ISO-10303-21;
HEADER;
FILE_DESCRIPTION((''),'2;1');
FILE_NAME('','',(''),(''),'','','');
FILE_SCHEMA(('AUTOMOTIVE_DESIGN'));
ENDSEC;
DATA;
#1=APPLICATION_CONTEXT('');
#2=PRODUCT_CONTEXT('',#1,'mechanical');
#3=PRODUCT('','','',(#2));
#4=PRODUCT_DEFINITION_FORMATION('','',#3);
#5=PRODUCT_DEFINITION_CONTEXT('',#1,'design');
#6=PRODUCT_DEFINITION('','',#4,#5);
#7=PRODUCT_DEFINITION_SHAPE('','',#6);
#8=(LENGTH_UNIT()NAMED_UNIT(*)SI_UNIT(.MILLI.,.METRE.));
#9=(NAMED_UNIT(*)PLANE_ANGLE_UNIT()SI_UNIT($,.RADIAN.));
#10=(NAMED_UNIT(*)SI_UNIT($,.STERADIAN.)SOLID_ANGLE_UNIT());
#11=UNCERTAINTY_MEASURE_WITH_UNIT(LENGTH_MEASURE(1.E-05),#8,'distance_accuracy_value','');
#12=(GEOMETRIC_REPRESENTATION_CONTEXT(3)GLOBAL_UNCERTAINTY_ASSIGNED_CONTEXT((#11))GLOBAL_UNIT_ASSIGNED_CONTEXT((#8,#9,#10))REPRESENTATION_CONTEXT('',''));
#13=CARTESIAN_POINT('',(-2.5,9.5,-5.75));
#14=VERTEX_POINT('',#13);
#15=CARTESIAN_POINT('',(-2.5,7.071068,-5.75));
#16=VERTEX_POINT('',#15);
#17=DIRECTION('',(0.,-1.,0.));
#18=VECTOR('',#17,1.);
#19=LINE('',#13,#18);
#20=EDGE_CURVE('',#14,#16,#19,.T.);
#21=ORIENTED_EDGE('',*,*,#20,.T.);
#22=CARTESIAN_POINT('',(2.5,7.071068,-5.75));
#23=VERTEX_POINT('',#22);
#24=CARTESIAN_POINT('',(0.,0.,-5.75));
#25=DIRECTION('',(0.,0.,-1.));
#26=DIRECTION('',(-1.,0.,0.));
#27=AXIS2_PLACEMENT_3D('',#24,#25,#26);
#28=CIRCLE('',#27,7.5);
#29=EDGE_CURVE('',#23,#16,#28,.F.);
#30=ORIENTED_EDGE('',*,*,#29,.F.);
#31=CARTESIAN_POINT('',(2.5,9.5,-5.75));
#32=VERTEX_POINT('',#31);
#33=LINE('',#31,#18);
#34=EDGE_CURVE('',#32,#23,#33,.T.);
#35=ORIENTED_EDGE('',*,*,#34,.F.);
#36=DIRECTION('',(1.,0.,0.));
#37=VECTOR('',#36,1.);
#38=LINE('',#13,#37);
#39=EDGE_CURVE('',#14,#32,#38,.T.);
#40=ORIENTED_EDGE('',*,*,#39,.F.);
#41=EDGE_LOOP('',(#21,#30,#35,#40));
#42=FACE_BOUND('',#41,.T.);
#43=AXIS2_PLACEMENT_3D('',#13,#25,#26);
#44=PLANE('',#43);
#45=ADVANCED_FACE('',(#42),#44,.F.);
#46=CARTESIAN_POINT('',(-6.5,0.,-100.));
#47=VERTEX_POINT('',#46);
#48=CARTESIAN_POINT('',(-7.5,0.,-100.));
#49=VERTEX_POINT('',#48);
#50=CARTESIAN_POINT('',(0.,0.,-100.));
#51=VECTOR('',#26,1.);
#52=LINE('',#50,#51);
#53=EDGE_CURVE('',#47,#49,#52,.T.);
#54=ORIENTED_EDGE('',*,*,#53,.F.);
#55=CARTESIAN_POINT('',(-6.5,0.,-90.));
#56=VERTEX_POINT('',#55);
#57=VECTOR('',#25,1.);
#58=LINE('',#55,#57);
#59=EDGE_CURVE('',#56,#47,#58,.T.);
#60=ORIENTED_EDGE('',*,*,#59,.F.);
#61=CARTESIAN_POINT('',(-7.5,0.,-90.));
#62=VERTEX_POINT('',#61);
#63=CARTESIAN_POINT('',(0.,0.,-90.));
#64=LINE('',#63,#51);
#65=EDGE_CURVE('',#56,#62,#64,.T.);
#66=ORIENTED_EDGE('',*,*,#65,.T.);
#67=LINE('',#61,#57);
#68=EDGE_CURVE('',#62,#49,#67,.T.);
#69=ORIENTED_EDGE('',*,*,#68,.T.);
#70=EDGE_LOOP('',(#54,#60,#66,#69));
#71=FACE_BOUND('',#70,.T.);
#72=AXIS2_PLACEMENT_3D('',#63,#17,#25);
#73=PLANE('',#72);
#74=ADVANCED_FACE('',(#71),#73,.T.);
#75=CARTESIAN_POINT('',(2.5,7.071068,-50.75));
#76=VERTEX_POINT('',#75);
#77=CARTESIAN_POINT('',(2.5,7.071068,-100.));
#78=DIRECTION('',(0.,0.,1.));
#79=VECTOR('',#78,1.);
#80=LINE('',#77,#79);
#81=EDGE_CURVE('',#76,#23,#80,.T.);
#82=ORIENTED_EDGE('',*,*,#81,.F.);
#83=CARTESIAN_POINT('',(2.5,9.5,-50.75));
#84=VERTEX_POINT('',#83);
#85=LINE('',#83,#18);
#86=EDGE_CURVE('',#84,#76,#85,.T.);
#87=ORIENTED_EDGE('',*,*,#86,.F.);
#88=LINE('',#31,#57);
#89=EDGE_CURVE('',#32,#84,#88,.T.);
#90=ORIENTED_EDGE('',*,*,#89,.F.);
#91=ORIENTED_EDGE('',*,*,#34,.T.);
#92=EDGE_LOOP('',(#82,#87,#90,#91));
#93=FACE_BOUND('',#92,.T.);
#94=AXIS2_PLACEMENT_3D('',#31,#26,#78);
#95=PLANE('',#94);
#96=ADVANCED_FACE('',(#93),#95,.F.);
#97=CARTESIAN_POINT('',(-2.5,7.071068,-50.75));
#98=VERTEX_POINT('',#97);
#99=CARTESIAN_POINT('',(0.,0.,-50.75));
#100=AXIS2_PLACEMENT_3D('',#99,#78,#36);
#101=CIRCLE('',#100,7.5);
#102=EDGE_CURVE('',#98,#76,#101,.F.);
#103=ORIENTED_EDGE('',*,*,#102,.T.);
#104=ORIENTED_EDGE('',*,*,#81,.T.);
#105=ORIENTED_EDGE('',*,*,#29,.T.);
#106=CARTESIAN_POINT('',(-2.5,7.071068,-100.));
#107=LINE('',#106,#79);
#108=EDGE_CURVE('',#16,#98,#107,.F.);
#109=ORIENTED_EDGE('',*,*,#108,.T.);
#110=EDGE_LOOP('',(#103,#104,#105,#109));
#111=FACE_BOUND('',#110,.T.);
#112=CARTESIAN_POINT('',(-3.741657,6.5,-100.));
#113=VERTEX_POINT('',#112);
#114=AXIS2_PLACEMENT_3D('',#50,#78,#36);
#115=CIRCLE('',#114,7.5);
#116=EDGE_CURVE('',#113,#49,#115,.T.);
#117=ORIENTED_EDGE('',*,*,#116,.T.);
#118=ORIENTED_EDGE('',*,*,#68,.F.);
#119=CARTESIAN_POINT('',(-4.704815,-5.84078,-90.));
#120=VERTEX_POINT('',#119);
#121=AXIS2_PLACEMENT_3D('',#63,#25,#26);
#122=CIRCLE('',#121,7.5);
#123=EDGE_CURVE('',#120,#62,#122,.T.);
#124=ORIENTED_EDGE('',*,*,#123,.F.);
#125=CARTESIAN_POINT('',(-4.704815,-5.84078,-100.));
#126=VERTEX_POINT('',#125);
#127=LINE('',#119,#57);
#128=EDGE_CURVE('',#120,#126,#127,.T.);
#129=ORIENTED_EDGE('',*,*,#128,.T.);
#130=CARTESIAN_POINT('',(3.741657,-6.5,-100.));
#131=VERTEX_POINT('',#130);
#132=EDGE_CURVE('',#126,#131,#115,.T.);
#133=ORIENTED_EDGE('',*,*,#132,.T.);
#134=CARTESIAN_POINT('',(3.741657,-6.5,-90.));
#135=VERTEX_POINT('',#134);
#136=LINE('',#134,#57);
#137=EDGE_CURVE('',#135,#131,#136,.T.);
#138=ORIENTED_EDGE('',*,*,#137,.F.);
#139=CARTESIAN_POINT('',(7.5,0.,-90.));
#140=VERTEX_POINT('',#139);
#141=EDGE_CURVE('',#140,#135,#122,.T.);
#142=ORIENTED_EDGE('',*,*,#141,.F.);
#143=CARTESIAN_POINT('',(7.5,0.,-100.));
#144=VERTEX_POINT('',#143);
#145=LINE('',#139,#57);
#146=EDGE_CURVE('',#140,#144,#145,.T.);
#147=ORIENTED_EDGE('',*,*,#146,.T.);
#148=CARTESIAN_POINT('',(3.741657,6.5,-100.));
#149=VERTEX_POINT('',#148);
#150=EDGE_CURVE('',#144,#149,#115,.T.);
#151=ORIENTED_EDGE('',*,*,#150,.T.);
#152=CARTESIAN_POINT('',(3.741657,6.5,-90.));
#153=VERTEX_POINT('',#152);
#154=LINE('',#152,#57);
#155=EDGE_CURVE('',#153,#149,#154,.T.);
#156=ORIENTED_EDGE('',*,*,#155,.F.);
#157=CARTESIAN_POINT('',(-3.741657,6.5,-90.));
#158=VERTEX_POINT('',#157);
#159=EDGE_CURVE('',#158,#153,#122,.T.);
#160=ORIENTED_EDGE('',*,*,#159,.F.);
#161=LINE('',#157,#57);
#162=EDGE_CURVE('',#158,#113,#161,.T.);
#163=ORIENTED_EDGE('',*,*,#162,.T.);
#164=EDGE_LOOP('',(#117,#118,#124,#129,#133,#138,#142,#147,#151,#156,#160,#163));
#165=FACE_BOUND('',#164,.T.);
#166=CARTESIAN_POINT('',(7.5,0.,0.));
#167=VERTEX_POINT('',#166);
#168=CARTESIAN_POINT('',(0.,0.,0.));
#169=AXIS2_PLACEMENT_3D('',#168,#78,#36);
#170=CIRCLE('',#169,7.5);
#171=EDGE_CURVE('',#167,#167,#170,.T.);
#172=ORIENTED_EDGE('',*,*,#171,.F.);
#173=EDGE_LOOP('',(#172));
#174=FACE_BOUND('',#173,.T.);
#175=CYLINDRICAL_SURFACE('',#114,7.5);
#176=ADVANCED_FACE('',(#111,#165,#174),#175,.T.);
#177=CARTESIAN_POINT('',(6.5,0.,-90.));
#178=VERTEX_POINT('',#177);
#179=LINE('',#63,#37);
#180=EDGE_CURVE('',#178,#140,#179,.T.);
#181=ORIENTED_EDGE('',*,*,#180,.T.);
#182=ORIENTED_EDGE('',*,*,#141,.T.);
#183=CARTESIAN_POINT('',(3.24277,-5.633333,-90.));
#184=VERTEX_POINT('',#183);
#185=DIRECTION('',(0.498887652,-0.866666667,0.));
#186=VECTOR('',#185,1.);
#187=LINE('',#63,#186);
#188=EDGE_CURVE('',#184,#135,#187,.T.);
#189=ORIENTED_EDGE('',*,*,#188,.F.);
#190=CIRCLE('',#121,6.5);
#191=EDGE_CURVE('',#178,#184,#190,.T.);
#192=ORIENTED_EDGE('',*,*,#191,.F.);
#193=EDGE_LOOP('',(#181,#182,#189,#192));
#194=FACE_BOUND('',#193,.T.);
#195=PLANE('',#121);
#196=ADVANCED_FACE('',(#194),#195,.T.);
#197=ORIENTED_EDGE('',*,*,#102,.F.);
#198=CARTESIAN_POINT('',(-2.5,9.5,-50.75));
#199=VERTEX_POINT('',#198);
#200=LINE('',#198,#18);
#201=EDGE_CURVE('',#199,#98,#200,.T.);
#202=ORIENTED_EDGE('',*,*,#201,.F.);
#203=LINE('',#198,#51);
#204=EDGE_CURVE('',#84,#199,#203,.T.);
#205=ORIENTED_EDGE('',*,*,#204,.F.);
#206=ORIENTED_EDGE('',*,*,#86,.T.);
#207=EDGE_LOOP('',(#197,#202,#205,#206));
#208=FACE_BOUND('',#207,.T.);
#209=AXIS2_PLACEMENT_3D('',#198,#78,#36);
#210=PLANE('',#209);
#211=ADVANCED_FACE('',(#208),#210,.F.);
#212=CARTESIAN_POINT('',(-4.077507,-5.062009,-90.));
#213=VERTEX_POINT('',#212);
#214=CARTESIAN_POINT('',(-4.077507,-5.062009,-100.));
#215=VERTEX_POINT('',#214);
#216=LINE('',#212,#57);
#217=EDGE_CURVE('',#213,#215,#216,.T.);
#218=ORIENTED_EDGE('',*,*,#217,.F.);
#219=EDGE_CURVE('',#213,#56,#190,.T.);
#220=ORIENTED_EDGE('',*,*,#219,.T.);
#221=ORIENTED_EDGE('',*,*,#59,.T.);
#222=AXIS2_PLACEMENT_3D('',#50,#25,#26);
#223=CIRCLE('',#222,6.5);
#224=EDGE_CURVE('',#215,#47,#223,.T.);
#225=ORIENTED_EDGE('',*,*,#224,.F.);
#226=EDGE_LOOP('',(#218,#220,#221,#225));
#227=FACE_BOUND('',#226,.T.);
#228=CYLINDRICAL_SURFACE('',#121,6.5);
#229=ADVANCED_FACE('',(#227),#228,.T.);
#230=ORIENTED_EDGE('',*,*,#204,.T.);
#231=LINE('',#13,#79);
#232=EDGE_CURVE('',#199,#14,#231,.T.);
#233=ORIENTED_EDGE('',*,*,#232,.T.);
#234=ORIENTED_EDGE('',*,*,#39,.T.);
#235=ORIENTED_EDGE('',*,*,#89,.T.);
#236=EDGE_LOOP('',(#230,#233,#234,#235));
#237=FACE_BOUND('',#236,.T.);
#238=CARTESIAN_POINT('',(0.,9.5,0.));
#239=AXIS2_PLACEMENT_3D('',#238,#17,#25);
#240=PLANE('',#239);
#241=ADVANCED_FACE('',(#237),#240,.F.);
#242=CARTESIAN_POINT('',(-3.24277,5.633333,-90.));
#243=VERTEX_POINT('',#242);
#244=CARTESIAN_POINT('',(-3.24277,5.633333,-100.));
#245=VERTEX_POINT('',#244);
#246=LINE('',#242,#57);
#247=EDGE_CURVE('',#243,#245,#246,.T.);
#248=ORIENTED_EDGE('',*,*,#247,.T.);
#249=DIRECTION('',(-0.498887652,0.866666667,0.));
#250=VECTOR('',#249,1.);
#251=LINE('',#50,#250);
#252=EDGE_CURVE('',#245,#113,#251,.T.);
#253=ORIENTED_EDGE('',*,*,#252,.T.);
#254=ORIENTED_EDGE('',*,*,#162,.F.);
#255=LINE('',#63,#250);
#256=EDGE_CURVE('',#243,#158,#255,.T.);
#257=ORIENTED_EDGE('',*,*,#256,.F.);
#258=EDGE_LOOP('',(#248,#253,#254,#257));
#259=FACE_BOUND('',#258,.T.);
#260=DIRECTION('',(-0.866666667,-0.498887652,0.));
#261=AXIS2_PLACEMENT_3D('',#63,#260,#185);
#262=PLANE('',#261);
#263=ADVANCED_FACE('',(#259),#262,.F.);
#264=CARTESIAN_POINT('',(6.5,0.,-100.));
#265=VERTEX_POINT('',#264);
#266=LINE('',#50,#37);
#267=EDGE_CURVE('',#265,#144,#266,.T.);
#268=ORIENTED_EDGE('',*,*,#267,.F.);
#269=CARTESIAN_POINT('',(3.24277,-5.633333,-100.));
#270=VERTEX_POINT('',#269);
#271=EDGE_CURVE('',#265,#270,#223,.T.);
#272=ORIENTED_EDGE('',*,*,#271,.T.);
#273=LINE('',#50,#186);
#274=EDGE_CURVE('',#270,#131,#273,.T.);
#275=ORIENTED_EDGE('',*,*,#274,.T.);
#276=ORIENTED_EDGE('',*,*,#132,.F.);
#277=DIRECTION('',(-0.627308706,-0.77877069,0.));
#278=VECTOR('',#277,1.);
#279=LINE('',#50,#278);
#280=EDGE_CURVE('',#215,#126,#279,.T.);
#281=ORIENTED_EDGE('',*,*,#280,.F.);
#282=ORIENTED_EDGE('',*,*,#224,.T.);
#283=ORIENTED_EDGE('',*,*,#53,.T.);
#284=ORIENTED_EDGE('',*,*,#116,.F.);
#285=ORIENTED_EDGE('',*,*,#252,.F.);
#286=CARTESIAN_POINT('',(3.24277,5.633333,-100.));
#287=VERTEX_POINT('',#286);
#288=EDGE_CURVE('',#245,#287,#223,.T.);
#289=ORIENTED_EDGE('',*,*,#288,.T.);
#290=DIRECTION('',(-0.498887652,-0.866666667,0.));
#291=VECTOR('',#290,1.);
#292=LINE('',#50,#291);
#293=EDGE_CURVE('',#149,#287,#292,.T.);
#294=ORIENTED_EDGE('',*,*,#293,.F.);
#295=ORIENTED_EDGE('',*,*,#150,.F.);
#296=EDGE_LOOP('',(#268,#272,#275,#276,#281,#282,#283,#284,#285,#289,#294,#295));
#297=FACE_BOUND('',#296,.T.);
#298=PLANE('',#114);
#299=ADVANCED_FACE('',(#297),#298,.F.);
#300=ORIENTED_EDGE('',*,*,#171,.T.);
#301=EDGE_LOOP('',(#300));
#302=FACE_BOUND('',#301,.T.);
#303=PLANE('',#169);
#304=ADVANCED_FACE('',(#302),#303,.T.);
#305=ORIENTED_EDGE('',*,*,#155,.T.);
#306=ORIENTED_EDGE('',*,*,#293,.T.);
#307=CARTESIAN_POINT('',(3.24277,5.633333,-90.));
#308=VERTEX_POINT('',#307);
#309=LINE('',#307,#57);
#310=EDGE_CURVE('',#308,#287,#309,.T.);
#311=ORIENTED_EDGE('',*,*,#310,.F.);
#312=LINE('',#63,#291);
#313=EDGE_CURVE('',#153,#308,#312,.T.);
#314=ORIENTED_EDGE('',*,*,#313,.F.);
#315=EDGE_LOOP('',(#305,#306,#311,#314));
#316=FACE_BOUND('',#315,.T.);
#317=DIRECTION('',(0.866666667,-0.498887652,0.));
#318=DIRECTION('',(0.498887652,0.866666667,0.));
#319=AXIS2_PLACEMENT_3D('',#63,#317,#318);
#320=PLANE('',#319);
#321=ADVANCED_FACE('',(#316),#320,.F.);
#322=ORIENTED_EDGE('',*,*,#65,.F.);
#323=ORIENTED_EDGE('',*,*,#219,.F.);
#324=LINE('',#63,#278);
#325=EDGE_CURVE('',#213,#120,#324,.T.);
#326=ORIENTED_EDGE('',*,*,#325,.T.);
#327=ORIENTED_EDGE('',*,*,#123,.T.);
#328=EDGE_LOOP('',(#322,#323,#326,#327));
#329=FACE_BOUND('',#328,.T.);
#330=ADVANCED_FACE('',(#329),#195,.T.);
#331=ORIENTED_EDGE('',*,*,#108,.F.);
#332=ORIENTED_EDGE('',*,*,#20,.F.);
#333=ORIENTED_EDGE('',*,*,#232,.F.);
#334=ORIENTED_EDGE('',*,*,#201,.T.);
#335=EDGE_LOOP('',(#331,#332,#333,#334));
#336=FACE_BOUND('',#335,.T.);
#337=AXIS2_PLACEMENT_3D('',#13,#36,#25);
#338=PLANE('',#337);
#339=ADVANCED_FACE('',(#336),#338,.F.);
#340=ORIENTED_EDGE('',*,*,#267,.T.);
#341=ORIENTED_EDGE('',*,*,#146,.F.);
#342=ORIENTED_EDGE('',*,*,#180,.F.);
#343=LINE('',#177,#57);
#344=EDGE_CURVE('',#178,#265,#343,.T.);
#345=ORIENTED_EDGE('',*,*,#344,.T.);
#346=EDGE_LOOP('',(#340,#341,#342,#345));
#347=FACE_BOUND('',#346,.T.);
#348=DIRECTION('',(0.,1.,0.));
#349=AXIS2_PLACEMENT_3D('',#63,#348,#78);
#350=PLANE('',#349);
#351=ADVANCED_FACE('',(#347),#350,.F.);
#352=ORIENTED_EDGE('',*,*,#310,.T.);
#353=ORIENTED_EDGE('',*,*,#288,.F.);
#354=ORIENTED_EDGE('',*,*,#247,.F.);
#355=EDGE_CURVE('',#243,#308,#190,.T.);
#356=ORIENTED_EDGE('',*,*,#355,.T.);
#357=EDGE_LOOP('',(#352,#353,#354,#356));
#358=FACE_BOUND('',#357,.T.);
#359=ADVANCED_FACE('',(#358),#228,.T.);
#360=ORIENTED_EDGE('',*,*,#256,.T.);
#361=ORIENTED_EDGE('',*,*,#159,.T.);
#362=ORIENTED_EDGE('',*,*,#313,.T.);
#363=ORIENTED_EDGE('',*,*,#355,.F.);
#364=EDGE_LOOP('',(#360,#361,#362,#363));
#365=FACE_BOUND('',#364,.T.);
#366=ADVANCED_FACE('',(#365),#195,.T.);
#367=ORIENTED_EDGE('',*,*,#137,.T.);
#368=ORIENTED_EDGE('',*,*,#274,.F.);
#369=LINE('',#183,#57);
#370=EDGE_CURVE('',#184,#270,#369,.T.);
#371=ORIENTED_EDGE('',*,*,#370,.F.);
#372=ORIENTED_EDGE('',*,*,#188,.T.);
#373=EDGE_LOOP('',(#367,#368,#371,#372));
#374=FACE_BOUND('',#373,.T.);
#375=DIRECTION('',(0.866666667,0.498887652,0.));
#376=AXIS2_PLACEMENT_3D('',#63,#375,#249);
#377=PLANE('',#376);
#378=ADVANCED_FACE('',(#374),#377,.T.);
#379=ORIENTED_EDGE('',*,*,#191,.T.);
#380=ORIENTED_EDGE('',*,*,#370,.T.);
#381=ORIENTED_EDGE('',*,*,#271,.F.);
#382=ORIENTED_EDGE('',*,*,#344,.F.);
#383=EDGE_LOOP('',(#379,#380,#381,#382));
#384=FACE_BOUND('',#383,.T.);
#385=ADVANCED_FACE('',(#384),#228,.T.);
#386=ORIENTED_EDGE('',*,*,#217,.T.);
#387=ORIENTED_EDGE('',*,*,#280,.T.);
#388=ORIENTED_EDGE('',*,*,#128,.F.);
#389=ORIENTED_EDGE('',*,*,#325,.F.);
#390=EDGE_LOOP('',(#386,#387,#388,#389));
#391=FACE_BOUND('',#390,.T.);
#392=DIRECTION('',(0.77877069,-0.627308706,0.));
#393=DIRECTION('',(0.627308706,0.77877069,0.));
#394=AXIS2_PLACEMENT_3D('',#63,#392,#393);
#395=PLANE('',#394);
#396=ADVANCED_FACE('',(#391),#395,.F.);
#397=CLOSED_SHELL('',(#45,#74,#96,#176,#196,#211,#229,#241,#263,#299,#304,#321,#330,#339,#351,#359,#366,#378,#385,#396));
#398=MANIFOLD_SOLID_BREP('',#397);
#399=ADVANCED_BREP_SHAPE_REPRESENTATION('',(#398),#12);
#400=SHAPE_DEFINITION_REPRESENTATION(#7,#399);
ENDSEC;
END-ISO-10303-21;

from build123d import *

# Parameters (mm, degrees)
ESBO_O1_R                = 7.5
RESSALTO_EXTRUS_O1_DEPTH = 100
ESBO_O2_W                = 5
ESBO_O2_H                = 45
RESSALTO_EXTRUS_O2_DEPTH = 9.5
CORTE_EXTRUS_O2_START    = -10
CORTE_EXTRUS_O2_DEPTH    = 10
CORTE_EXTRUS_O3_START    = -10
CORTE_EXTRUS_O3_DEPTH    = 10


with BuildPart() as part:
    # Esboço1 → Ressalto-extrusão1 (new body)
    with BuildSketch(Plane.XY):
        Circle(ESBO_O1_R)
    extrude(amount=-RESSALTO_EXTRUS_O1_DEPTH)

    # Esboço2 → Ressalto-extrusão2 (add)
    with BuildSketch(Plane(origin=(0, 0, 0), x_dir=(1, 0, 0), z_dir=(0, 1, 0))):
        with Locations((0, 28.25)):
            Rectangle(ESBO_O2_W, ESBO_O2_H)
    extrude(amount=RESSALTO_EXTRUS_O2_DEPTH)

    # Esboço3 → Corte-extrusão2 (cut)
    with BuildSketch(Plane(origin=(0, 0, -100), x_dir=(-1, 0, 0), z_dir=(0, 0, -1)).offset(CORTE_EXTRUS_O2_START)):
        with BuildLine():
            ThreePointArc((3.741657387, 6.5), (0, 7.5), (-3.741657387, 6.5))
            Line((-3.741657387, 6.5), (-3.242769735, 5.633333333))
            ThreePointArc((-3.242769735, 5.633333333), (0, 6.5), (3.242769735, 5.633333333))
            Line((3.242769735, 5.633333333), (3.741657387, 6.5))
        make_face()
    extrude(amount=CORTE_EXTRUS_O2_DEPTH, mode=Mode.SUBTRACT)

    # Esboço3<5> → Corte-extrusão3 (cut)
    with BuildSketch(Plane(origin=(0, 0, -100), x_dir=(-1, 0, 0), z_dir=(0, 0, -1)).offset(CORTE_EXTRUS_O3_START)):
        with BuildLine():
            Line((-6.5, 0), (-7.5, 0))
            ThreePointArc((-7.5, 0), (-6.492781777, -3.754168989), (-3.741657387, -6.5))
            Line((-3.741657387, -6.5), (-3.242769735, -5.633333333))
            ThreePointArc((-3.242769735, -5.633333333), (-5.62707754, -3.253613124), (-6.5, 0))
        make_face()
        with BuildLine():
            ThreePointArc((6.5, 0), (5.863181424, -2.805905129), (4.077506587, -5.062009485))
            Line((4.077506587, -5.062009485), (4.704815293, -5.840780175))
            ThreePointArc((4.704815293, -5.840780175), (6.765209335, -3.237582841), (7.5, 0))
            Line((7.5, 0), (6.5, 0))
        make_face()
    extrude(amount=CORTE_EXTRUS_O3_DEPTH, mode=Mode.SUBTRACT)


solid = part.part
